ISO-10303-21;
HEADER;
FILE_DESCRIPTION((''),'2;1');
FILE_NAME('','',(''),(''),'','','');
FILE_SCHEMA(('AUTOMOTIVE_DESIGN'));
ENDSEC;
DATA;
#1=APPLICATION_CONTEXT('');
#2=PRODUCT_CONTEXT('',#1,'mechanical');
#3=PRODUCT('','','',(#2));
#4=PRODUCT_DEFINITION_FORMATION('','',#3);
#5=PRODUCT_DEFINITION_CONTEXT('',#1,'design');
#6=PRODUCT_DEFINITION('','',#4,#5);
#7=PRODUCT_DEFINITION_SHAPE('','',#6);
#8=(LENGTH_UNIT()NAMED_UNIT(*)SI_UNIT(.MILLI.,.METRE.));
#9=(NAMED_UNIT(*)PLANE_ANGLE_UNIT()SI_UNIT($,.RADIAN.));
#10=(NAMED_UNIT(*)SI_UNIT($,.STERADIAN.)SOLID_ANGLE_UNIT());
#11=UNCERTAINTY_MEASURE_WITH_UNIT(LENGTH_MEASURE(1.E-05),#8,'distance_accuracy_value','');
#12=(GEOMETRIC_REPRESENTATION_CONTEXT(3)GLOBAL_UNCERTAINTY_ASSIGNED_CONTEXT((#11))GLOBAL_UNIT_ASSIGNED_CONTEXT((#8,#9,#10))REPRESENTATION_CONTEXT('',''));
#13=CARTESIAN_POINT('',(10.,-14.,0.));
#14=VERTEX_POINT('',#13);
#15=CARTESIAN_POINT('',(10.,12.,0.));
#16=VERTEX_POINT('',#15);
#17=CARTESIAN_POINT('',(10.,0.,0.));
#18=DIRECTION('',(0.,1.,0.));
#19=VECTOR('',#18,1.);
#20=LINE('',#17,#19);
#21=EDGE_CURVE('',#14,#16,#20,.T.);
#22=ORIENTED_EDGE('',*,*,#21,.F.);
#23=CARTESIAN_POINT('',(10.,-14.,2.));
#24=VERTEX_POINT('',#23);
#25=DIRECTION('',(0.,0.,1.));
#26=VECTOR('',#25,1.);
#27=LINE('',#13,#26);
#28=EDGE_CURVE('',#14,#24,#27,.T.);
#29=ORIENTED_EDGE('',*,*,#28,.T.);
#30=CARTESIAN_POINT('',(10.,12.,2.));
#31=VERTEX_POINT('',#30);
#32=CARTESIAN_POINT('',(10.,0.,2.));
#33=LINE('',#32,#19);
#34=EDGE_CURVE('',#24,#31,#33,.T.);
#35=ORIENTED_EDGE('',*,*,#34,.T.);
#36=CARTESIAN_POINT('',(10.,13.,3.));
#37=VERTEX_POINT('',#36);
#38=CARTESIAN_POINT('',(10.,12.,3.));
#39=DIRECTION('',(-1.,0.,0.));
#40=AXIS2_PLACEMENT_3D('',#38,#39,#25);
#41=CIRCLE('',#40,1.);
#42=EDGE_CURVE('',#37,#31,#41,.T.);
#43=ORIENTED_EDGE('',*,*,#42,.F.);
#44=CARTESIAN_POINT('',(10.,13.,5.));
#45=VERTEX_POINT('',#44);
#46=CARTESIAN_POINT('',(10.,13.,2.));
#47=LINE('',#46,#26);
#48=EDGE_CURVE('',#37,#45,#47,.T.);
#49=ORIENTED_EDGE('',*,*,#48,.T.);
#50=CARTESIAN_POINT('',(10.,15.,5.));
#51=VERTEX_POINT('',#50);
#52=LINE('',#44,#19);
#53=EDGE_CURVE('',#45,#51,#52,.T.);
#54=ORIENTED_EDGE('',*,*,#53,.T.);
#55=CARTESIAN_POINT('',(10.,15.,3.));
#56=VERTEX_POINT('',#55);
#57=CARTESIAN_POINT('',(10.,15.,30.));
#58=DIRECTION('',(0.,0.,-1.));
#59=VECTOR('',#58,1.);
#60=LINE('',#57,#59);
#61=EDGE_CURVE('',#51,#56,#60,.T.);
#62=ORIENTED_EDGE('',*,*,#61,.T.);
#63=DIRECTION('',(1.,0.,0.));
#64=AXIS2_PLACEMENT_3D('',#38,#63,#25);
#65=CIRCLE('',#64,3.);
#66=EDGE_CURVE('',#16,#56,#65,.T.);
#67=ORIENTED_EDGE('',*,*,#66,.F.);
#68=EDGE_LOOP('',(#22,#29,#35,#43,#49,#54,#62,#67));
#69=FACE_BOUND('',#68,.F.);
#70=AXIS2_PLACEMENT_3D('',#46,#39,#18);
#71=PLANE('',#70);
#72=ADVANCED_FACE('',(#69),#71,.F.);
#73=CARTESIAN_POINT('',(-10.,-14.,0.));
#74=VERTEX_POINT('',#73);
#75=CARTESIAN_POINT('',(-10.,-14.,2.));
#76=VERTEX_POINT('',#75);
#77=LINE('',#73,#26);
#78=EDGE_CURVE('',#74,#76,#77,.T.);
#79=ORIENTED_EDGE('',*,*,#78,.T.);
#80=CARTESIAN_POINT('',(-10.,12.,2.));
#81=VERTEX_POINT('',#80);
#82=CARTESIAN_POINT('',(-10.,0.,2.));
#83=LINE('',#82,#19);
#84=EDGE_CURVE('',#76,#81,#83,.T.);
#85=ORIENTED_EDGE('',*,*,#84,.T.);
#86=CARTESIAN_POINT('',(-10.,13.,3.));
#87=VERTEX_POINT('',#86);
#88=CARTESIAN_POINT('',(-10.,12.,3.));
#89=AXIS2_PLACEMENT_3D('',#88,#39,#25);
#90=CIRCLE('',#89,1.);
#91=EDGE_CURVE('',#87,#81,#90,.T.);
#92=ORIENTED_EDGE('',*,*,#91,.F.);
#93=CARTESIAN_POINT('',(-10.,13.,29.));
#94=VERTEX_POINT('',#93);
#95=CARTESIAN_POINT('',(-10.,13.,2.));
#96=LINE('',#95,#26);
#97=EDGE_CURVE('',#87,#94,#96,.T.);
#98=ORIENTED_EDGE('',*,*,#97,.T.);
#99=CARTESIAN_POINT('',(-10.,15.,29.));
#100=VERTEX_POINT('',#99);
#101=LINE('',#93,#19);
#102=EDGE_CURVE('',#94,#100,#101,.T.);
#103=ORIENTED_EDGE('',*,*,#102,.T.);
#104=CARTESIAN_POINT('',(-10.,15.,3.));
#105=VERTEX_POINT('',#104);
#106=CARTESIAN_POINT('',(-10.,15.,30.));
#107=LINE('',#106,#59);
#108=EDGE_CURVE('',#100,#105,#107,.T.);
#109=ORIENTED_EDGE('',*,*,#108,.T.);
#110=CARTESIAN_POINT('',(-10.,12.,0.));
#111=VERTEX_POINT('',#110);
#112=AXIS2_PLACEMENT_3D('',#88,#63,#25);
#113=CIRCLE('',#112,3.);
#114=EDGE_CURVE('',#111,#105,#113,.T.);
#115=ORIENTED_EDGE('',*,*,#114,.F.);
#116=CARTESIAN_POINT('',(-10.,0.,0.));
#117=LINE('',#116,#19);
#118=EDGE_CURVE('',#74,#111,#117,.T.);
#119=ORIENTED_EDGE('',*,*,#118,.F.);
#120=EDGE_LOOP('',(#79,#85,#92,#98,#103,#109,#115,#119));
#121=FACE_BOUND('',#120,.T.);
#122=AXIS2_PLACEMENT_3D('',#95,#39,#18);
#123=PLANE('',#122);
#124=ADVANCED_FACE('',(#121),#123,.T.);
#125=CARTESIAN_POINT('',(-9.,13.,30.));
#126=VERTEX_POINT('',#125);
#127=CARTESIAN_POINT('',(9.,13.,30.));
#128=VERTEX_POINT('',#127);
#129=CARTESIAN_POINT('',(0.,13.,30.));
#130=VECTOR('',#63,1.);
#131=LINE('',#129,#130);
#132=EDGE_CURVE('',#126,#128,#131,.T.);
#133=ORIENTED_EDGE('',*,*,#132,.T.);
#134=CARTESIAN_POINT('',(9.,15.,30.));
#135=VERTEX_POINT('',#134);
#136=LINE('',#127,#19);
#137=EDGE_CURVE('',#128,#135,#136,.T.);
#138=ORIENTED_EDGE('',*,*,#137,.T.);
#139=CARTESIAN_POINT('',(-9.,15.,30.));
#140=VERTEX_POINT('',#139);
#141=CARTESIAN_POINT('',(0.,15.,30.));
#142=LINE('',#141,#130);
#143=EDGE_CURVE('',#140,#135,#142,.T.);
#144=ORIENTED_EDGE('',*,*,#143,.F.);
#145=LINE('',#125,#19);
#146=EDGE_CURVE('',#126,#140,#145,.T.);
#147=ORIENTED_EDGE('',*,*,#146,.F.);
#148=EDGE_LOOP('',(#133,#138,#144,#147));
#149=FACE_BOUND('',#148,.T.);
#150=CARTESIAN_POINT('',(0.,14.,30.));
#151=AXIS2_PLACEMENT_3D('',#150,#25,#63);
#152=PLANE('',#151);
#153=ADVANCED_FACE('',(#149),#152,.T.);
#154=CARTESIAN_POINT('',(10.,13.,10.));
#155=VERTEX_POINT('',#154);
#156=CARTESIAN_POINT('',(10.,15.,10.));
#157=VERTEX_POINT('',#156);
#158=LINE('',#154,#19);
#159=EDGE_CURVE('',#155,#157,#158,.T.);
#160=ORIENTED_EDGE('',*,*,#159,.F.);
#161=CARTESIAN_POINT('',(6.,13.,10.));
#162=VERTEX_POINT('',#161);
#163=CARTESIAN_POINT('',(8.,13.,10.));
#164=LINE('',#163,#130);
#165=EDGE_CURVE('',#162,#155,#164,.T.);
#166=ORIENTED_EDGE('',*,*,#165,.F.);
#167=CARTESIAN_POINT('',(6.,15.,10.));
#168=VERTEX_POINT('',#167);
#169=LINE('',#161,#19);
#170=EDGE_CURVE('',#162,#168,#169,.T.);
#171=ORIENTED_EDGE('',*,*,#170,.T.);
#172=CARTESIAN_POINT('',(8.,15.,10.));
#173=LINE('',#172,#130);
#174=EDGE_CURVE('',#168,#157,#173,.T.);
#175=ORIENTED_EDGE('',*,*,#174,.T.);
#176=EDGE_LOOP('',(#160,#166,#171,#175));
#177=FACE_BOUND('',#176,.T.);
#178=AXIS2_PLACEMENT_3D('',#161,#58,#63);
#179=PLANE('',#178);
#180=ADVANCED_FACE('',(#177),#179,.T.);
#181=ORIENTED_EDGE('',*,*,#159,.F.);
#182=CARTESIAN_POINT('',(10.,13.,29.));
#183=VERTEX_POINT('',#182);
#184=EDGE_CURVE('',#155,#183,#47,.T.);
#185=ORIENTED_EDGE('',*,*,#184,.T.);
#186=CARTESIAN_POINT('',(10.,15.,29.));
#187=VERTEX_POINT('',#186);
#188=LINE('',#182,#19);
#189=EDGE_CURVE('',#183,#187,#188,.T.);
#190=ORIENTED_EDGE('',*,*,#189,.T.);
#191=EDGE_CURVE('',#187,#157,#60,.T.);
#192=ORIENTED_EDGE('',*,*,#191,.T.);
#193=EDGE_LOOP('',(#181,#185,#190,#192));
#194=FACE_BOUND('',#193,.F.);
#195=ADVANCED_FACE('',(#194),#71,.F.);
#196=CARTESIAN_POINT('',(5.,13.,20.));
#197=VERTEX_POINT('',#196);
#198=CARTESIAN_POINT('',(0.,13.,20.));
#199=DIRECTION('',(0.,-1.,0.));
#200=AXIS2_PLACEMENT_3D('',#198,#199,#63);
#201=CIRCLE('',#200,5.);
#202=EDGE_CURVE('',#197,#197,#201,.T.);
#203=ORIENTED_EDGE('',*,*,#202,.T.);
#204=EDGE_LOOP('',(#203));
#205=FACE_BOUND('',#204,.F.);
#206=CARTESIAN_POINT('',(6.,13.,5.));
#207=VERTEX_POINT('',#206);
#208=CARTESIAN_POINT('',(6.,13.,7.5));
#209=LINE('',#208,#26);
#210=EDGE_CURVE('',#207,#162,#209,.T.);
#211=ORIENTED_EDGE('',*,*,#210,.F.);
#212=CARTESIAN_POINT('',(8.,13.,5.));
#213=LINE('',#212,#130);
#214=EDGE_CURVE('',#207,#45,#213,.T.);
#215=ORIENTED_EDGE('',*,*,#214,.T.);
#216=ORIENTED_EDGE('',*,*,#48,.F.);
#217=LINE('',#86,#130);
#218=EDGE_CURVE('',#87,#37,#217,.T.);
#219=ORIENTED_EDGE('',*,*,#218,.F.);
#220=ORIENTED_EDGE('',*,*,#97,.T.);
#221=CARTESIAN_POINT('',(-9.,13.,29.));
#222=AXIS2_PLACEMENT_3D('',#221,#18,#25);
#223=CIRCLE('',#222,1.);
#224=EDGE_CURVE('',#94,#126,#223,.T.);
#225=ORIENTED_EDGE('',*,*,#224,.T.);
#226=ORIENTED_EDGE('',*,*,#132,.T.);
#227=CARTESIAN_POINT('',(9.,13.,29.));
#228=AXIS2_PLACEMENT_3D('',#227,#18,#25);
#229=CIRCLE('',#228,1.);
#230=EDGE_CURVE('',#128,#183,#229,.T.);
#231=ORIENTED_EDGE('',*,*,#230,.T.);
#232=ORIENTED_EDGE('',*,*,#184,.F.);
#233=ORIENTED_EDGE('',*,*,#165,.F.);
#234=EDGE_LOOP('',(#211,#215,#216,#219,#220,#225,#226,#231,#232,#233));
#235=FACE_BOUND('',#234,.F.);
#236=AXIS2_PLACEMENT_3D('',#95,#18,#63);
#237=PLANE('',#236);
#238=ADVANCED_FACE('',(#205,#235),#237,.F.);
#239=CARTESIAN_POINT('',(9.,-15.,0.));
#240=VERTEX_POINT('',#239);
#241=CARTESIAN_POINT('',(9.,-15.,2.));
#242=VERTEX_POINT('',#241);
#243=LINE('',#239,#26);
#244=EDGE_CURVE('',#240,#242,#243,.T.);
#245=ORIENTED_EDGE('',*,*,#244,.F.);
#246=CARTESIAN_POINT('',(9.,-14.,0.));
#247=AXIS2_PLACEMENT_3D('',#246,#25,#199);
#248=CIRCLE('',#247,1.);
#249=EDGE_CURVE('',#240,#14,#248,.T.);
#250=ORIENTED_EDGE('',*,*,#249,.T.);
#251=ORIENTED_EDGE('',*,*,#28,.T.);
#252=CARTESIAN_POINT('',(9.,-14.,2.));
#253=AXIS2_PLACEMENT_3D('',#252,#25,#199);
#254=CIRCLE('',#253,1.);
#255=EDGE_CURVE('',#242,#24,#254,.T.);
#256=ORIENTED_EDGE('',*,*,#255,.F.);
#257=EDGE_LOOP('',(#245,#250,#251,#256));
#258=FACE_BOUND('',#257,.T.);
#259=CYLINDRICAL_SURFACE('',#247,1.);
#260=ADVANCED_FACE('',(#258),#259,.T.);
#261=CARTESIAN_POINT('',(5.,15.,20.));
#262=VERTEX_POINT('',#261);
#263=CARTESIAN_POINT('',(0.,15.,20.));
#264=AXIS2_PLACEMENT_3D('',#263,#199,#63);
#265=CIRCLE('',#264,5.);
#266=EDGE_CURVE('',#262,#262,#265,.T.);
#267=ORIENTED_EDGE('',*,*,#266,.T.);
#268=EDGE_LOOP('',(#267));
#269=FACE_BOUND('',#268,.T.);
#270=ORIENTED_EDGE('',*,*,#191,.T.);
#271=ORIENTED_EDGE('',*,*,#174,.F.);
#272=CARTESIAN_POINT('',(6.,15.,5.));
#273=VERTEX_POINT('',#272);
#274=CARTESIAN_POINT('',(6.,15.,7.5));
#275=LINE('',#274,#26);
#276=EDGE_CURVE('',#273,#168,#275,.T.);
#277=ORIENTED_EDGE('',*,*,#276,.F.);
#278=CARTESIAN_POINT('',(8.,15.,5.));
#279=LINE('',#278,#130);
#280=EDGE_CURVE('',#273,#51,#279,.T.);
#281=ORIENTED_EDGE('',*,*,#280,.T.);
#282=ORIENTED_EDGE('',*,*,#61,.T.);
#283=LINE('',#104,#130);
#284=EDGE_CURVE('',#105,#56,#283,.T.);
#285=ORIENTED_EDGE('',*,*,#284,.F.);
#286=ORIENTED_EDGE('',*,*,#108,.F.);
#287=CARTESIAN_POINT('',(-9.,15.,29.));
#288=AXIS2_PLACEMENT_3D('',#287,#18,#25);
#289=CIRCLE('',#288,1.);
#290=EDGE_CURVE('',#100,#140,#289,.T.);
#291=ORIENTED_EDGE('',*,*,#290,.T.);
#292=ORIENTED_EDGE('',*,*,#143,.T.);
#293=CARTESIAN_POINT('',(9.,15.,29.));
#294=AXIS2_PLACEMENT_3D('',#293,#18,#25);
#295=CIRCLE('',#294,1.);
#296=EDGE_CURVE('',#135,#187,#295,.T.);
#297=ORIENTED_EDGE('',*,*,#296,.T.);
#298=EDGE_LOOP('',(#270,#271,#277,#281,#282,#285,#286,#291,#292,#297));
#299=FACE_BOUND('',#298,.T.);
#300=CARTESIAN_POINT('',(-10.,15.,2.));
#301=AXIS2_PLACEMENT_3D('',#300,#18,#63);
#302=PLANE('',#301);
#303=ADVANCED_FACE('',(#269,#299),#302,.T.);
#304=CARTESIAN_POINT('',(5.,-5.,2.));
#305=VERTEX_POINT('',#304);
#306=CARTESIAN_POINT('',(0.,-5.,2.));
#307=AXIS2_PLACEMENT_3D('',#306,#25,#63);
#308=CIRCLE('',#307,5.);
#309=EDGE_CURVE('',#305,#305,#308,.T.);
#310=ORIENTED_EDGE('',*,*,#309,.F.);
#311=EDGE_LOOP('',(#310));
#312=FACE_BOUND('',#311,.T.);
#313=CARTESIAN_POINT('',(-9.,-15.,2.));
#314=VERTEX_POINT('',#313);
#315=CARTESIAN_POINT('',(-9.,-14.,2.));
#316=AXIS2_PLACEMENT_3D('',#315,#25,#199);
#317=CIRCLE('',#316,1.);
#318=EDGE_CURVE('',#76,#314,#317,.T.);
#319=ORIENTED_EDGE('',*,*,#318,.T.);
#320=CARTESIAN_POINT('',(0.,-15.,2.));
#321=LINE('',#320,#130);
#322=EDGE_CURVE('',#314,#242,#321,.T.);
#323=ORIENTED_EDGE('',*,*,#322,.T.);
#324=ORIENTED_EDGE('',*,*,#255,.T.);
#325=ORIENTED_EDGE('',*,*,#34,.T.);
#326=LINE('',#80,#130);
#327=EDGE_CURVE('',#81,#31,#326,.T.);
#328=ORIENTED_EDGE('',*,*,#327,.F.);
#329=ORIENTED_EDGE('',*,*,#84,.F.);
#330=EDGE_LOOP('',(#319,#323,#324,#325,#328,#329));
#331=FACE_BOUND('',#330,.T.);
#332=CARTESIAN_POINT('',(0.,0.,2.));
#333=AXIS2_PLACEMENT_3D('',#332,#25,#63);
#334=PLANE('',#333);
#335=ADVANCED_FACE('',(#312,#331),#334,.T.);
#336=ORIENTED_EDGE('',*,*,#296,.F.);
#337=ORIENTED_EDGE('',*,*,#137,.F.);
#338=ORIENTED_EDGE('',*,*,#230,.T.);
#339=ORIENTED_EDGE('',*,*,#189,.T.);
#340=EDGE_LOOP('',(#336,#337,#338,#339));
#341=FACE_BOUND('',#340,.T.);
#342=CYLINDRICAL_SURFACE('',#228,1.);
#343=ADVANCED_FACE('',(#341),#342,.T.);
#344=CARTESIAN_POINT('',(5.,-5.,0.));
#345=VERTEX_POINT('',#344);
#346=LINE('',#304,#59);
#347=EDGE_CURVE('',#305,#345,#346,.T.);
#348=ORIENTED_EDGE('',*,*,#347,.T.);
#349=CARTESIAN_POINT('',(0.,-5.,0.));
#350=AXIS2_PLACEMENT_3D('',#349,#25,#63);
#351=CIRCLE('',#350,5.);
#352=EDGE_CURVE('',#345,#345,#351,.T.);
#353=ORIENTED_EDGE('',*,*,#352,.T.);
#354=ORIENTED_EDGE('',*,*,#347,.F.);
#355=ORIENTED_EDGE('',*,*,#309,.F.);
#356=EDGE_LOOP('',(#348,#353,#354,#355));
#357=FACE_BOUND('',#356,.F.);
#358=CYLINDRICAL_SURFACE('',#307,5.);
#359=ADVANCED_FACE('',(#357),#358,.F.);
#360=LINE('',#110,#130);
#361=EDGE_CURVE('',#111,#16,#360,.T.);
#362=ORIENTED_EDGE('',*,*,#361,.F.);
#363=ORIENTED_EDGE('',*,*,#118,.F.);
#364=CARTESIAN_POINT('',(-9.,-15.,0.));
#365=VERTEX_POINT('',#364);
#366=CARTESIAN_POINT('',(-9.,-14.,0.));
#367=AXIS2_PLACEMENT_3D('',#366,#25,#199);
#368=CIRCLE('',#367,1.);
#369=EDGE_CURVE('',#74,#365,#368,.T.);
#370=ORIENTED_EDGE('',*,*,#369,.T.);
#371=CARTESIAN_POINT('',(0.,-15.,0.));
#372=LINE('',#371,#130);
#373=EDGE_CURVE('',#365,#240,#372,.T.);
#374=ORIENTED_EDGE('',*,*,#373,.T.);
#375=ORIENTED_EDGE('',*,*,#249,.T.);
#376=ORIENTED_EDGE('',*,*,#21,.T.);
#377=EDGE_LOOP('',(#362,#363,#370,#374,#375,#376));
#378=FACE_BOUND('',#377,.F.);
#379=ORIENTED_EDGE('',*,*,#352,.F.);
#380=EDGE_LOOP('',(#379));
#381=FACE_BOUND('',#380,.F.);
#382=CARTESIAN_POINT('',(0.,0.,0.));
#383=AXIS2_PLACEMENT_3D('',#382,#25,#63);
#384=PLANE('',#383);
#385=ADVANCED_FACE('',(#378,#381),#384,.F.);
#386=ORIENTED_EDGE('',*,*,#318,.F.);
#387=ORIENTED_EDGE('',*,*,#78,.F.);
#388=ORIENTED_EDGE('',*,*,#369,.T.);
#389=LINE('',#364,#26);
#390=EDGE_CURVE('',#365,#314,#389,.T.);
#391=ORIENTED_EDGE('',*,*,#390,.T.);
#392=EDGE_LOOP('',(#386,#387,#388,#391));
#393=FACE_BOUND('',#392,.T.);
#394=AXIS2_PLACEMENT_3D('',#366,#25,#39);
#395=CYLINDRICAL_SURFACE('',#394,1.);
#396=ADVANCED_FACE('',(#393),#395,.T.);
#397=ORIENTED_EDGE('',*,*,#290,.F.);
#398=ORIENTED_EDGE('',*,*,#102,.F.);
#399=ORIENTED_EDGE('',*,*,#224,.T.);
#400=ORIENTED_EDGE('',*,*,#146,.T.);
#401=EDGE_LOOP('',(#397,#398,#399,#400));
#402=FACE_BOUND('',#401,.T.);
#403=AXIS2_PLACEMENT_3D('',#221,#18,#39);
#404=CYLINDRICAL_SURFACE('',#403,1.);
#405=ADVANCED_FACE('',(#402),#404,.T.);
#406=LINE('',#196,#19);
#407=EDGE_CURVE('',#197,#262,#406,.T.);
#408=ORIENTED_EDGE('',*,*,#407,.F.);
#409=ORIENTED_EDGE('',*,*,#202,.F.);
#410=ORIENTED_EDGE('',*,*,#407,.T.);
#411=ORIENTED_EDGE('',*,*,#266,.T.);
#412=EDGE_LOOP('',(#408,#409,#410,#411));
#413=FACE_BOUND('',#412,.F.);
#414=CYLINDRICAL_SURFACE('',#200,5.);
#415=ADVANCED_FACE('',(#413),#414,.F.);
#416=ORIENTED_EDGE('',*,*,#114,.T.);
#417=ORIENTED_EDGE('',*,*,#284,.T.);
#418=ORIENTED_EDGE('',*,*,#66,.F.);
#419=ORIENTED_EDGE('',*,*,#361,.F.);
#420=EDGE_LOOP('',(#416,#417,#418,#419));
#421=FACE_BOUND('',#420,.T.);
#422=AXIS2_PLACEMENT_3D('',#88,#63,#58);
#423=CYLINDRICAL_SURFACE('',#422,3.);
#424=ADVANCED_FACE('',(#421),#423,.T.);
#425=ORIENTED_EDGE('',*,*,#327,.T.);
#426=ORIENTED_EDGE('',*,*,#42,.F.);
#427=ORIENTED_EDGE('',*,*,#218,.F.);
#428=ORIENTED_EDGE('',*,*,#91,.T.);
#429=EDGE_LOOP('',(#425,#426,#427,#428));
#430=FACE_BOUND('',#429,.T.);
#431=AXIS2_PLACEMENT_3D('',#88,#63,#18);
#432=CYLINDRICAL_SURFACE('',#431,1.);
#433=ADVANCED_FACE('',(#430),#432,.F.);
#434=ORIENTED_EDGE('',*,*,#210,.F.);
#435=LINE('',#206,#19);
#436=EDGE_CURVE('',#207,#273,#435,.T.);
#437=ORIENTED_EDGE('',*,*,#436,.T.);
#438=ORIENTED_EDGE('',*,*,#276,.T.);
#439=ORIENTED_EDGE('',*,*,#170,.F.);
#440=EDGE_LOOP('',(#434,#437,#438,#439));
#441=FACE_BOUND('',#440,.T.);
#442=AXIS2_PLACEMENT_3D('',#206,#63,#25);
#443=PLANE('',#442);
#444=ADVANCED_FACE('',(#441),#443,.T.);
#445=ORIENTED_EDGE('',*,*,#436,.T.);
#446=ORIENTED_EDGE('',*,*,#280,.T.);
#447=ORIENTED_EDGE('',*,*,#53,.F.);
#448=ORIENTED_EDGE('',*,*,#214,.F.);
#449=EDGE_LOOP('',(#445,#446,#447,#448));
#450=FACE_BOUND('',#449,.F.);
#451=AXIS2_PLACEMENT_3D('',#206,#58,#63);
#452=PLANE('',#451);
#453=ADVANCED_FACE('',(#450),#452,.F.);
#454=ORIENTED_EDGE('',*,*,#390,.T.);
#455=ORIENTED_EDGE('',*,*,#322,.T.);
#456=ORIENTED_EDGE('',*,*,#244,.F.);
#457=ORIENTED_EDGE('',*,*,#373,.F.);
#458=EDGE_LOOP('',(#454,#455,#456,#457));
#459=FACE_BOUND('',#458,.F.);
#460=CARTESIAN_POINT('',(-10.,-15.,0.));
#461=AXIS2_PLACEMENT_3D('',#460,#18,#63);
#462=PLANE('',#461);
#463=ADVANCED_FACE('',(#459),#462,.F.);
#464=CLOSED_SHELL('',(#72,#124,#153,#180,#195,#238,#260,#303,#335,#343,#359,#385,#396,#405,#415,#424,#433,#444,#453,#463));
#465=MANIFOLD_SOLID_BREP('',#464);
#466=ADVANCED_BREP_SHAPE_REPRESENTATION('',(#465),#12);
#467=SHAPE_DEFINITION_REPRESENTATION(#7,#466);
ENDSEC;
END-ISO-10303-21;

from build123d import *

# Parameters (mm, degrees)
F0_W      = 20
F0_H      = 30
F1_DEPTH  = 2
F2_W      = 20
F2_H      = 2
F3_DEPTH  = 28
F4_R      = 3
F5_R      = 1
F6_R      = 5
F7_DEPTH  = 2
F8_R      = 5
F9_DEPTH  = 2
F10_W     = 4
F10_H     = 5
F11_DEPTH = 2


with BuildPart() as f1:
    # F0 (on Top) → F1 (new body)
    with BuildSketch(Plane.XY):
        Rectangle(F0_W, F0_H)
    extrude(amount=F1_DEPTH)

    # F2 (on face) → F3 (join)
    with BuildSketch(Plane.XY.offset(2)):
        with Locations((0, 14)):
            Rectangle(F2_W, F2_H)
    extrude(amount=F3_DEPTH)

    # F4
    f4_edges = [f1.edges().sort_by_distance(p)[0] for p in [
        (0, 15, 0),
    ]]
    fillet(f4_edges, radius=F4_R)

    # F5
    f5_edges = [f1.edges().sort_by_distance(p)[0] for p in [
        (10, -15, 1),
        (-10, -15, 1),
        (10, 14, 30),
        (-10, 14, 30),
        (0, 13, 2),
    ]]
    fillet(f5_edges, radius=F5_R)

    # F6 (on face) → F7 (cut, through all)
    with BuildSketch(Plane.XY.offset(2)):
        with Locations((0, -5)):
            Circle(F6_R)
    extrude(amount=-F7_DEPTH, mode=Mode.SUBTRACT)

    # F8 (on face) → F9 (cut, through all)
    with BuildSketch(Plane.XZ.offset(-13)):
        with Locations((0, 20)):
            Circle(F8_R)
    extrude(amount=-F9_DEPTH, mode=Mode.SUBTRACT)

    # F10 (on face) → F11 (cut, through all)
    with BuildSketch(Plane.XZ.offset(-13)):
        with Locations((8, 7.5)):
            Rectangle(F10_W, F10_H)
    extrude(amount=-F11_DEPTH, mode=Mode.SUBTRACT)


solid = f1.part
